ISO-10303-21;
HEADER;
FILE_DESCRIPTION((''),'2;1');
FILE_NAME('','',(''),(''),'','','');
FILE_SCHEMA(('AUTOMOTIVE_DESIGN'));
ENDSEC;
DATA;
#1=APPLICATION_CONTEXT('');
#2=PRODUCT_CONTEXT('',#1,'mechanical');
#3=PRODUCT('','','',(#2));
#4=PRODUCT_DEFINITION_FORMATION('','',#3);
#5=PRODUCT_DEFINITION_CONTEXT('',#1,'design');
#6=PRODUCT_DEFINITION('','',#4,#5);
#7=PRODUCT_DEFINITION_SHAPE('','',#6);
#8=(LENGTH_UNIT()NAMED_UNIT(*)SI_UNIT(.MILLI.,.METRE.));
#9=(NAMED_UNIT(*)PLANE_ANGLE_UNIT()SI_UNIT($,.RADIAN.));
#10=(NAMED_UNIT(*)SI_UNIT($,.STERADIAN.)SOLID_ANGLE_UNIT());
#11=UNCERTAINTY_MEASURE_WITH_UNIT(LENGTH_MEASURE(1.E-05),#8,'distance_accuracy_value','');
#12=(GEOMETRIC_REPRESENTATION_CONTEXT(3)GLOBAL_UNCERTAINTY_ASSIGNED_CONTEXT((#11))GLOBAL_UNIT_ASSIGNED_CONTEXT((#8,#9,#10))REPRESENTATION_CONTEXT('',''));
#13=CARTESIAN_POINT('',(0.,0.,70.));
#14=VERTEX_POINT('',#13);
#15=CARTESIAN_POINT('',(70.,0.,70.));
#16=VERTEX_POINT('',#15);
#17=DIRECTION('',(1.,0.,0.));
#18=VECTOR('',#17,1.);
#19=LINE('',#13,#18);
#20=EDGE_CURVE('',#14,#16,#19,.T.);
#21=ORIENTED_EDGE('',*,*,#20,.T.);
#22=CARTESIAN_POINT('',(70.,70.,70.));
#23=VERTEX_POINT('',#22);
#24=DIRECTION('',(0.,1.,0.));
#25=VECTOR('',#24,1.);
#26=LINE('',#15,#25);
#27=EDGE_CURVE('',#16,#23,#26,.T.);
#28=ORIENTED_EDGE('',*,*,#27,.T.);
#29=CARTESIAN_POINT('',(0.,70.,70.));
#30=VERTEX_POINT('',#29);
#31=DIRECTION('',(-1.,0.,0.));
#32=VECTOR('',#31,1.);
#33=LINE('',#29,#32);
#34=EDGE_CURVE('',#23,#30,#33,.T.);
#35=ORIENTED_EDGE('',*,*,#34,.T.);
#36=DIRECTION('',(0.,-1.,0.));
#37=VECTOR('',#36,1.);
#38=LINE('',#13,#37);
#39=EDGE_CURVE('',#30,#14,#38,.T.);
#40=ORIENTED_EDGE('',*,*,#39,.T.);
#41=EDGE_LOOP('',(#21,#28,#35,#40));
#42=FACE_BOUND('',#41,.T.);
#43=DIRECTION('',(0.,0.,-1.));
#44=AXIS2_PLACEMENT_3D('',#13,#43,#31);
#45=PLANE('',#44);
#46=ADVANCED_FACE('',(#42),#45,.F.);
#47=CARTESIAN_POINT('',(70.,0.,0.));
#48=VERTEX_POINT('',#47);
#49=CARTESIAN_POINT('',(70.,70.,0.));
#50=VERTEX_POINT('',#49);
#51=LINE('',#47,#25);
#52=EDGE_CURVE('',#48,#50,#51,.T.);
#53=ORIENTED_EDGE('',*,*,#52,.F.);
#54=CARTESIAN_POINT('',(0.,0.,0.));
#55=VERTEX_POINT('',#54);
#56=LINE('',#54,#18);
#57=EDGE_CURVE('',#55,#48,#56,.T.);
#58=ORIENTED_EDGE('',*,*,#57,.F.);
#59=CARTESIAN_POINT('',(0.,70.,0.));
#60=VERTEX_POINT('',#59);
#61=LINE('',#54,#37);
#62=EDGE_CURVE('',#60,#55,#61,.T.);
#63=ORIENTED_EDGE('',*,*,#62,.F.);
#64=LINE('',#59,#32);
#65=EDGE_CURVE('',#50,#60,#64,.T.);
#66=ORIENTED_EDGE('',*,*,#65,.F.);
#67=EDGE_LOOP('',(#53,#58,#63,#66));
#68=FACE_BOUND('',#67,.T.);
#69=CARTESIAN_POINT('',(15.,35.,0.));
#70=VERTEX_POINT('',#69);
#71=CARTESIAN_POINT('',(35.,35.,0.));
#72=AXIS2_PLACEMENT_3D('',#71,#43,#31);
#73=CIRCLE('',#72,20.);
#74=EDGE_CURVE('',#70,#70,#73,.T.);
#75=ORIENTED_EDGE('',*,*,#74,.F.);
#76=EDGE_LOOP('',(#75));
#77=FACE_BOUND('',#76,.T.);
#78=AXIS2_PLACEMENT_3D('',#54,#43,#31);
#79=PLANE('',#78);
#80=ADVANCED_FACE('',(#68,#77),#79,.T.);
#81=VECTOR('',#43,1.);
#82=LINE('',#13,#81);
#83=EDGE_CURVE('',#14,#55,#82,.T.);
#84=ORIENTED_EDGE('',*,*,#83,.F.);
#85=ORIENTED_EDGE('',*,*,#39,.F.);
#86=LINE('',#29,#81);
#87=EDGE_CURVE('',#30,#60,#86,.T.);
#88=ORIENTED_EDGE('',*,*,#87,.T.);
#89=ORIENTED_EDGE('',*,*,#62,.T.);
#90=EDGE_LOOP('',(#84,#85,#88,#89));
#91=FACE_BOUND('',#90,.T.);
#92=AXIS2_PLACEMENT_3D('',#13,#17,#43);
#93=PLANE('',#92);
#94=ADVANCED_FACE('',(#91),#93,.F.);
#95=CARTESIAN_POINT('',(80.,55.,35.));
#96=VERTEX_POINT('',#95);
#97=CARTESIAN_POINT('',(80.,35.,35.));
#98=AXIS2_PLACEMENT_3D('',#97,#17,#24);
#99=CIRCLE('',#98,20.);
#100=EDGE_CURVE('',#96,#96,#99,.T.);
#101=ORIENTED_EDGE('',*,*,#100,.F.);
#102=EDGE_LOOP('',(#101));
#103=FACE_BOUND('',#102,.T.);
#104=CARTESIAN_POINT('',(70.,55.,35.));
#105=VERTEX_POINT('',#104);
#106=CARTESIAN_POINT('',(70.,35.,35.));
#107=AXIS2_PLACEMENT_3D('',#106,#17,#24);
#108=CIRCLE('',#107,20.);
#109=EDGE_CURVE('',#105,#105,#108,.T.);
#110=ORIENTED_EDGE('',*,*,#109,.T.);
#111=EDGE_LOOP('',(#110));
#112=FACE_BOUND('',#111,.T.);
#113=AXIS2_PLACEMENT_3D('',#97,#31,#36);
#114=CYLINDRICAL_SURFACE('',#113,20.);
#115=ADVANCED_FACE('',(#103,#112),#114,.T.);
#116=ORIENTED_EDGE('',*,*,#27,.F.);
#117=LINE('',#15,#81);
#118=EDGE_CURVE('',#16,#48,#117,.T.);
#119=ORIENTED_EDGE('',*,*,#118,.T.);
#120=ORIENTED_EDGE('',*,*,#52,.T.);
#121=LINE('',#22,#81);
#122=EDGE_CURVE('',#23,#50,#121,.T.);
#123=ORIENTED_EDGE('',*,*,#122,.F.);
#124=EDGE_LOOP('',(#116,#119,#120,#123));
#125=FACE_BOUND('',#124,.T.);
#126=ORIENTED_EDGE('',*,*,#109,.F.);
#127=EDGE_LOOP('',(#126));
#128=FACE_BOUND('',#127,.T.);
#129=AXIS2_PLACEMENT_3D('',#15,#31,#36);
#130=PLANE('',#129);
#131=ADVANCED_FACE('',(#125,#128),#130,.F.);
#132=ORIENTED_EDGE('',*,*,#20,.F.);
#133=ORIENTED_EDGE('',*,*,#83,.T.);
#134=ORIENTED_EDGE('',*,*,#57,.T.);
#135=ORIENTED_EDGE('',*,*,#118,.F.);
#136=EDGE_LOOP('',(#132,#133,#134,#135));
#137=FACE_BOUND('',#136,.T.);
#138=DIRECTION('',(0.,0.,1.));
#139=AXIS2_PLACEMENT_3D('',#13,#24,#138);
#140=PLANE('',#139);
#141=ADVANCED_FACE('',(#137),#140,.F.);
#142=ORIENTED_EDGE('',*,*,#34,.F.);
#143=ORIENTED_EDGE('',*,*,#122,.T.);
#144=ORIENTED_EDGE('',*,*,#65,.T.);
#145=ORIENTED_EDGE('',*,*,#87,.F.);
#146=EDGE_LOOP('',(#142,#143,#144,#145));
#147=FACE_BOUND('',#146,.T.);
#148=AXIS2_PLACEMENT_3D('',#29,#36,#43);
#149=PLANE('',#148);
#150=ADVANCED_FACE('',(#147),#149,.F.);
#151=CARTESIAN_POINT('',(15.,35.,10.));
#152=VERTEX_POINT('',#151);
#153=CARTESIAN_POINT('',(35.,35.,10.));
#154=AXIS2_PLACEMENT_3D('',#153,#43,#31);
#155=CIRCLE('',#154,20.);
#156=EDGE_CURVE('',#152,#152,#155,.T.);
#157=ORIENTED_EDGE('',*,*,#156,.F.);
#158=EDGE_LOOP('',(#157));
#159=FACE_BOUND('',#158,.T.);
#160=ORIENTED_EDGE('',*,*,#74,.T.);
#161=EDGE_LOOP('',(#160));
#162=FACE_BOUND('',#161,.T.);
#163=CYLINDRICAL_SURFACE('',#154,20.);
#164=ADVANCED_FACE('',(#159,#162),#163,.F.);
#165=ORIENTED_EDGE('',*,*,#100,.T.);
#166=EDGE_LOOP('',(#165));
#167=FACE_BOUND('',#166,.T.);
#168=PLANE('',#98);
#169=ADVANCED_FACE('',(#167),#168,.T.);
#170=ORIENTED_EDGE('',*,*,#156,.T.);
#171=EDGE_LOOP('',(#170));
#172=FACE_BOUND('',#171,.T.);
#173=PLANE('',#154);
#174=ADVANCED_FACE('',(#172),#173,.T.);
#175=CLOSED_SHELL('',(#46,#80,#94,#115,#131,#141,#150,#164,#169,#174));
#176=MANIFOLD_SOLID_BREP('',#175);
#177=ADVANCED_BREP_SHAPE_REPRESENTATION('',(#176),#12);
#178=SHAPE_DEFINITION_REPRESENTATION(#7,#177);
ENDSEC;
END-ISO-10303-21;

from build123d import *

# Parameters (mm, degrees)
CROQUIS1_W              = 70
CROQUIS1_H              = 70
SALIENTE_EXTRUIR1_DEPTH = 70
CROQUIS2_R              = 20
SALIENTE_EXTRUIR2_DEPTH = 10
CROQUIS3_R              = 20
CORTAR_EXTRUIR1_DEPTH   = 10


with BuildPart() as part:
    # Croquis1 → Saliente-Extruir1 (new body)
    with BuildSketch(Plane.XY):
        with Locations((35, 35)):
            Rectangle(CROQUIS1_W, CROQUIS1_H)
    extrude(amount=SALIENTE_EXTRUIR1_DEPTH)

    # Croquis2 → Saliente-Extruir2 (add)
    with BuildSketch(Plane(origin=(70, 0, 0), x_dir=(0, 0, -1), z_dir=(1, 0, 0))):
        with Locations(Location((-35, 35, 0), (0, 0, 90))):
            Circle(CROQUIS2_R)
    extrude(amount=SALIENTE_EXTRUIR2_DEPTH)

    # Croquis3 → Cortar-Extruir1 (cut)
    with BuildSketch(Plane(origin=(0, 0, 0), x_dir=(-1, 0, 0), z_dir=(0, 0, -1))):
        with Locations((-35, 35)):
            Circle(CROQUIS3_R)
    extrude(amount=-CORTAR_EXTRUIR1_DEPTH, mode=Mode.SUBTRACT)


solid = part.part
